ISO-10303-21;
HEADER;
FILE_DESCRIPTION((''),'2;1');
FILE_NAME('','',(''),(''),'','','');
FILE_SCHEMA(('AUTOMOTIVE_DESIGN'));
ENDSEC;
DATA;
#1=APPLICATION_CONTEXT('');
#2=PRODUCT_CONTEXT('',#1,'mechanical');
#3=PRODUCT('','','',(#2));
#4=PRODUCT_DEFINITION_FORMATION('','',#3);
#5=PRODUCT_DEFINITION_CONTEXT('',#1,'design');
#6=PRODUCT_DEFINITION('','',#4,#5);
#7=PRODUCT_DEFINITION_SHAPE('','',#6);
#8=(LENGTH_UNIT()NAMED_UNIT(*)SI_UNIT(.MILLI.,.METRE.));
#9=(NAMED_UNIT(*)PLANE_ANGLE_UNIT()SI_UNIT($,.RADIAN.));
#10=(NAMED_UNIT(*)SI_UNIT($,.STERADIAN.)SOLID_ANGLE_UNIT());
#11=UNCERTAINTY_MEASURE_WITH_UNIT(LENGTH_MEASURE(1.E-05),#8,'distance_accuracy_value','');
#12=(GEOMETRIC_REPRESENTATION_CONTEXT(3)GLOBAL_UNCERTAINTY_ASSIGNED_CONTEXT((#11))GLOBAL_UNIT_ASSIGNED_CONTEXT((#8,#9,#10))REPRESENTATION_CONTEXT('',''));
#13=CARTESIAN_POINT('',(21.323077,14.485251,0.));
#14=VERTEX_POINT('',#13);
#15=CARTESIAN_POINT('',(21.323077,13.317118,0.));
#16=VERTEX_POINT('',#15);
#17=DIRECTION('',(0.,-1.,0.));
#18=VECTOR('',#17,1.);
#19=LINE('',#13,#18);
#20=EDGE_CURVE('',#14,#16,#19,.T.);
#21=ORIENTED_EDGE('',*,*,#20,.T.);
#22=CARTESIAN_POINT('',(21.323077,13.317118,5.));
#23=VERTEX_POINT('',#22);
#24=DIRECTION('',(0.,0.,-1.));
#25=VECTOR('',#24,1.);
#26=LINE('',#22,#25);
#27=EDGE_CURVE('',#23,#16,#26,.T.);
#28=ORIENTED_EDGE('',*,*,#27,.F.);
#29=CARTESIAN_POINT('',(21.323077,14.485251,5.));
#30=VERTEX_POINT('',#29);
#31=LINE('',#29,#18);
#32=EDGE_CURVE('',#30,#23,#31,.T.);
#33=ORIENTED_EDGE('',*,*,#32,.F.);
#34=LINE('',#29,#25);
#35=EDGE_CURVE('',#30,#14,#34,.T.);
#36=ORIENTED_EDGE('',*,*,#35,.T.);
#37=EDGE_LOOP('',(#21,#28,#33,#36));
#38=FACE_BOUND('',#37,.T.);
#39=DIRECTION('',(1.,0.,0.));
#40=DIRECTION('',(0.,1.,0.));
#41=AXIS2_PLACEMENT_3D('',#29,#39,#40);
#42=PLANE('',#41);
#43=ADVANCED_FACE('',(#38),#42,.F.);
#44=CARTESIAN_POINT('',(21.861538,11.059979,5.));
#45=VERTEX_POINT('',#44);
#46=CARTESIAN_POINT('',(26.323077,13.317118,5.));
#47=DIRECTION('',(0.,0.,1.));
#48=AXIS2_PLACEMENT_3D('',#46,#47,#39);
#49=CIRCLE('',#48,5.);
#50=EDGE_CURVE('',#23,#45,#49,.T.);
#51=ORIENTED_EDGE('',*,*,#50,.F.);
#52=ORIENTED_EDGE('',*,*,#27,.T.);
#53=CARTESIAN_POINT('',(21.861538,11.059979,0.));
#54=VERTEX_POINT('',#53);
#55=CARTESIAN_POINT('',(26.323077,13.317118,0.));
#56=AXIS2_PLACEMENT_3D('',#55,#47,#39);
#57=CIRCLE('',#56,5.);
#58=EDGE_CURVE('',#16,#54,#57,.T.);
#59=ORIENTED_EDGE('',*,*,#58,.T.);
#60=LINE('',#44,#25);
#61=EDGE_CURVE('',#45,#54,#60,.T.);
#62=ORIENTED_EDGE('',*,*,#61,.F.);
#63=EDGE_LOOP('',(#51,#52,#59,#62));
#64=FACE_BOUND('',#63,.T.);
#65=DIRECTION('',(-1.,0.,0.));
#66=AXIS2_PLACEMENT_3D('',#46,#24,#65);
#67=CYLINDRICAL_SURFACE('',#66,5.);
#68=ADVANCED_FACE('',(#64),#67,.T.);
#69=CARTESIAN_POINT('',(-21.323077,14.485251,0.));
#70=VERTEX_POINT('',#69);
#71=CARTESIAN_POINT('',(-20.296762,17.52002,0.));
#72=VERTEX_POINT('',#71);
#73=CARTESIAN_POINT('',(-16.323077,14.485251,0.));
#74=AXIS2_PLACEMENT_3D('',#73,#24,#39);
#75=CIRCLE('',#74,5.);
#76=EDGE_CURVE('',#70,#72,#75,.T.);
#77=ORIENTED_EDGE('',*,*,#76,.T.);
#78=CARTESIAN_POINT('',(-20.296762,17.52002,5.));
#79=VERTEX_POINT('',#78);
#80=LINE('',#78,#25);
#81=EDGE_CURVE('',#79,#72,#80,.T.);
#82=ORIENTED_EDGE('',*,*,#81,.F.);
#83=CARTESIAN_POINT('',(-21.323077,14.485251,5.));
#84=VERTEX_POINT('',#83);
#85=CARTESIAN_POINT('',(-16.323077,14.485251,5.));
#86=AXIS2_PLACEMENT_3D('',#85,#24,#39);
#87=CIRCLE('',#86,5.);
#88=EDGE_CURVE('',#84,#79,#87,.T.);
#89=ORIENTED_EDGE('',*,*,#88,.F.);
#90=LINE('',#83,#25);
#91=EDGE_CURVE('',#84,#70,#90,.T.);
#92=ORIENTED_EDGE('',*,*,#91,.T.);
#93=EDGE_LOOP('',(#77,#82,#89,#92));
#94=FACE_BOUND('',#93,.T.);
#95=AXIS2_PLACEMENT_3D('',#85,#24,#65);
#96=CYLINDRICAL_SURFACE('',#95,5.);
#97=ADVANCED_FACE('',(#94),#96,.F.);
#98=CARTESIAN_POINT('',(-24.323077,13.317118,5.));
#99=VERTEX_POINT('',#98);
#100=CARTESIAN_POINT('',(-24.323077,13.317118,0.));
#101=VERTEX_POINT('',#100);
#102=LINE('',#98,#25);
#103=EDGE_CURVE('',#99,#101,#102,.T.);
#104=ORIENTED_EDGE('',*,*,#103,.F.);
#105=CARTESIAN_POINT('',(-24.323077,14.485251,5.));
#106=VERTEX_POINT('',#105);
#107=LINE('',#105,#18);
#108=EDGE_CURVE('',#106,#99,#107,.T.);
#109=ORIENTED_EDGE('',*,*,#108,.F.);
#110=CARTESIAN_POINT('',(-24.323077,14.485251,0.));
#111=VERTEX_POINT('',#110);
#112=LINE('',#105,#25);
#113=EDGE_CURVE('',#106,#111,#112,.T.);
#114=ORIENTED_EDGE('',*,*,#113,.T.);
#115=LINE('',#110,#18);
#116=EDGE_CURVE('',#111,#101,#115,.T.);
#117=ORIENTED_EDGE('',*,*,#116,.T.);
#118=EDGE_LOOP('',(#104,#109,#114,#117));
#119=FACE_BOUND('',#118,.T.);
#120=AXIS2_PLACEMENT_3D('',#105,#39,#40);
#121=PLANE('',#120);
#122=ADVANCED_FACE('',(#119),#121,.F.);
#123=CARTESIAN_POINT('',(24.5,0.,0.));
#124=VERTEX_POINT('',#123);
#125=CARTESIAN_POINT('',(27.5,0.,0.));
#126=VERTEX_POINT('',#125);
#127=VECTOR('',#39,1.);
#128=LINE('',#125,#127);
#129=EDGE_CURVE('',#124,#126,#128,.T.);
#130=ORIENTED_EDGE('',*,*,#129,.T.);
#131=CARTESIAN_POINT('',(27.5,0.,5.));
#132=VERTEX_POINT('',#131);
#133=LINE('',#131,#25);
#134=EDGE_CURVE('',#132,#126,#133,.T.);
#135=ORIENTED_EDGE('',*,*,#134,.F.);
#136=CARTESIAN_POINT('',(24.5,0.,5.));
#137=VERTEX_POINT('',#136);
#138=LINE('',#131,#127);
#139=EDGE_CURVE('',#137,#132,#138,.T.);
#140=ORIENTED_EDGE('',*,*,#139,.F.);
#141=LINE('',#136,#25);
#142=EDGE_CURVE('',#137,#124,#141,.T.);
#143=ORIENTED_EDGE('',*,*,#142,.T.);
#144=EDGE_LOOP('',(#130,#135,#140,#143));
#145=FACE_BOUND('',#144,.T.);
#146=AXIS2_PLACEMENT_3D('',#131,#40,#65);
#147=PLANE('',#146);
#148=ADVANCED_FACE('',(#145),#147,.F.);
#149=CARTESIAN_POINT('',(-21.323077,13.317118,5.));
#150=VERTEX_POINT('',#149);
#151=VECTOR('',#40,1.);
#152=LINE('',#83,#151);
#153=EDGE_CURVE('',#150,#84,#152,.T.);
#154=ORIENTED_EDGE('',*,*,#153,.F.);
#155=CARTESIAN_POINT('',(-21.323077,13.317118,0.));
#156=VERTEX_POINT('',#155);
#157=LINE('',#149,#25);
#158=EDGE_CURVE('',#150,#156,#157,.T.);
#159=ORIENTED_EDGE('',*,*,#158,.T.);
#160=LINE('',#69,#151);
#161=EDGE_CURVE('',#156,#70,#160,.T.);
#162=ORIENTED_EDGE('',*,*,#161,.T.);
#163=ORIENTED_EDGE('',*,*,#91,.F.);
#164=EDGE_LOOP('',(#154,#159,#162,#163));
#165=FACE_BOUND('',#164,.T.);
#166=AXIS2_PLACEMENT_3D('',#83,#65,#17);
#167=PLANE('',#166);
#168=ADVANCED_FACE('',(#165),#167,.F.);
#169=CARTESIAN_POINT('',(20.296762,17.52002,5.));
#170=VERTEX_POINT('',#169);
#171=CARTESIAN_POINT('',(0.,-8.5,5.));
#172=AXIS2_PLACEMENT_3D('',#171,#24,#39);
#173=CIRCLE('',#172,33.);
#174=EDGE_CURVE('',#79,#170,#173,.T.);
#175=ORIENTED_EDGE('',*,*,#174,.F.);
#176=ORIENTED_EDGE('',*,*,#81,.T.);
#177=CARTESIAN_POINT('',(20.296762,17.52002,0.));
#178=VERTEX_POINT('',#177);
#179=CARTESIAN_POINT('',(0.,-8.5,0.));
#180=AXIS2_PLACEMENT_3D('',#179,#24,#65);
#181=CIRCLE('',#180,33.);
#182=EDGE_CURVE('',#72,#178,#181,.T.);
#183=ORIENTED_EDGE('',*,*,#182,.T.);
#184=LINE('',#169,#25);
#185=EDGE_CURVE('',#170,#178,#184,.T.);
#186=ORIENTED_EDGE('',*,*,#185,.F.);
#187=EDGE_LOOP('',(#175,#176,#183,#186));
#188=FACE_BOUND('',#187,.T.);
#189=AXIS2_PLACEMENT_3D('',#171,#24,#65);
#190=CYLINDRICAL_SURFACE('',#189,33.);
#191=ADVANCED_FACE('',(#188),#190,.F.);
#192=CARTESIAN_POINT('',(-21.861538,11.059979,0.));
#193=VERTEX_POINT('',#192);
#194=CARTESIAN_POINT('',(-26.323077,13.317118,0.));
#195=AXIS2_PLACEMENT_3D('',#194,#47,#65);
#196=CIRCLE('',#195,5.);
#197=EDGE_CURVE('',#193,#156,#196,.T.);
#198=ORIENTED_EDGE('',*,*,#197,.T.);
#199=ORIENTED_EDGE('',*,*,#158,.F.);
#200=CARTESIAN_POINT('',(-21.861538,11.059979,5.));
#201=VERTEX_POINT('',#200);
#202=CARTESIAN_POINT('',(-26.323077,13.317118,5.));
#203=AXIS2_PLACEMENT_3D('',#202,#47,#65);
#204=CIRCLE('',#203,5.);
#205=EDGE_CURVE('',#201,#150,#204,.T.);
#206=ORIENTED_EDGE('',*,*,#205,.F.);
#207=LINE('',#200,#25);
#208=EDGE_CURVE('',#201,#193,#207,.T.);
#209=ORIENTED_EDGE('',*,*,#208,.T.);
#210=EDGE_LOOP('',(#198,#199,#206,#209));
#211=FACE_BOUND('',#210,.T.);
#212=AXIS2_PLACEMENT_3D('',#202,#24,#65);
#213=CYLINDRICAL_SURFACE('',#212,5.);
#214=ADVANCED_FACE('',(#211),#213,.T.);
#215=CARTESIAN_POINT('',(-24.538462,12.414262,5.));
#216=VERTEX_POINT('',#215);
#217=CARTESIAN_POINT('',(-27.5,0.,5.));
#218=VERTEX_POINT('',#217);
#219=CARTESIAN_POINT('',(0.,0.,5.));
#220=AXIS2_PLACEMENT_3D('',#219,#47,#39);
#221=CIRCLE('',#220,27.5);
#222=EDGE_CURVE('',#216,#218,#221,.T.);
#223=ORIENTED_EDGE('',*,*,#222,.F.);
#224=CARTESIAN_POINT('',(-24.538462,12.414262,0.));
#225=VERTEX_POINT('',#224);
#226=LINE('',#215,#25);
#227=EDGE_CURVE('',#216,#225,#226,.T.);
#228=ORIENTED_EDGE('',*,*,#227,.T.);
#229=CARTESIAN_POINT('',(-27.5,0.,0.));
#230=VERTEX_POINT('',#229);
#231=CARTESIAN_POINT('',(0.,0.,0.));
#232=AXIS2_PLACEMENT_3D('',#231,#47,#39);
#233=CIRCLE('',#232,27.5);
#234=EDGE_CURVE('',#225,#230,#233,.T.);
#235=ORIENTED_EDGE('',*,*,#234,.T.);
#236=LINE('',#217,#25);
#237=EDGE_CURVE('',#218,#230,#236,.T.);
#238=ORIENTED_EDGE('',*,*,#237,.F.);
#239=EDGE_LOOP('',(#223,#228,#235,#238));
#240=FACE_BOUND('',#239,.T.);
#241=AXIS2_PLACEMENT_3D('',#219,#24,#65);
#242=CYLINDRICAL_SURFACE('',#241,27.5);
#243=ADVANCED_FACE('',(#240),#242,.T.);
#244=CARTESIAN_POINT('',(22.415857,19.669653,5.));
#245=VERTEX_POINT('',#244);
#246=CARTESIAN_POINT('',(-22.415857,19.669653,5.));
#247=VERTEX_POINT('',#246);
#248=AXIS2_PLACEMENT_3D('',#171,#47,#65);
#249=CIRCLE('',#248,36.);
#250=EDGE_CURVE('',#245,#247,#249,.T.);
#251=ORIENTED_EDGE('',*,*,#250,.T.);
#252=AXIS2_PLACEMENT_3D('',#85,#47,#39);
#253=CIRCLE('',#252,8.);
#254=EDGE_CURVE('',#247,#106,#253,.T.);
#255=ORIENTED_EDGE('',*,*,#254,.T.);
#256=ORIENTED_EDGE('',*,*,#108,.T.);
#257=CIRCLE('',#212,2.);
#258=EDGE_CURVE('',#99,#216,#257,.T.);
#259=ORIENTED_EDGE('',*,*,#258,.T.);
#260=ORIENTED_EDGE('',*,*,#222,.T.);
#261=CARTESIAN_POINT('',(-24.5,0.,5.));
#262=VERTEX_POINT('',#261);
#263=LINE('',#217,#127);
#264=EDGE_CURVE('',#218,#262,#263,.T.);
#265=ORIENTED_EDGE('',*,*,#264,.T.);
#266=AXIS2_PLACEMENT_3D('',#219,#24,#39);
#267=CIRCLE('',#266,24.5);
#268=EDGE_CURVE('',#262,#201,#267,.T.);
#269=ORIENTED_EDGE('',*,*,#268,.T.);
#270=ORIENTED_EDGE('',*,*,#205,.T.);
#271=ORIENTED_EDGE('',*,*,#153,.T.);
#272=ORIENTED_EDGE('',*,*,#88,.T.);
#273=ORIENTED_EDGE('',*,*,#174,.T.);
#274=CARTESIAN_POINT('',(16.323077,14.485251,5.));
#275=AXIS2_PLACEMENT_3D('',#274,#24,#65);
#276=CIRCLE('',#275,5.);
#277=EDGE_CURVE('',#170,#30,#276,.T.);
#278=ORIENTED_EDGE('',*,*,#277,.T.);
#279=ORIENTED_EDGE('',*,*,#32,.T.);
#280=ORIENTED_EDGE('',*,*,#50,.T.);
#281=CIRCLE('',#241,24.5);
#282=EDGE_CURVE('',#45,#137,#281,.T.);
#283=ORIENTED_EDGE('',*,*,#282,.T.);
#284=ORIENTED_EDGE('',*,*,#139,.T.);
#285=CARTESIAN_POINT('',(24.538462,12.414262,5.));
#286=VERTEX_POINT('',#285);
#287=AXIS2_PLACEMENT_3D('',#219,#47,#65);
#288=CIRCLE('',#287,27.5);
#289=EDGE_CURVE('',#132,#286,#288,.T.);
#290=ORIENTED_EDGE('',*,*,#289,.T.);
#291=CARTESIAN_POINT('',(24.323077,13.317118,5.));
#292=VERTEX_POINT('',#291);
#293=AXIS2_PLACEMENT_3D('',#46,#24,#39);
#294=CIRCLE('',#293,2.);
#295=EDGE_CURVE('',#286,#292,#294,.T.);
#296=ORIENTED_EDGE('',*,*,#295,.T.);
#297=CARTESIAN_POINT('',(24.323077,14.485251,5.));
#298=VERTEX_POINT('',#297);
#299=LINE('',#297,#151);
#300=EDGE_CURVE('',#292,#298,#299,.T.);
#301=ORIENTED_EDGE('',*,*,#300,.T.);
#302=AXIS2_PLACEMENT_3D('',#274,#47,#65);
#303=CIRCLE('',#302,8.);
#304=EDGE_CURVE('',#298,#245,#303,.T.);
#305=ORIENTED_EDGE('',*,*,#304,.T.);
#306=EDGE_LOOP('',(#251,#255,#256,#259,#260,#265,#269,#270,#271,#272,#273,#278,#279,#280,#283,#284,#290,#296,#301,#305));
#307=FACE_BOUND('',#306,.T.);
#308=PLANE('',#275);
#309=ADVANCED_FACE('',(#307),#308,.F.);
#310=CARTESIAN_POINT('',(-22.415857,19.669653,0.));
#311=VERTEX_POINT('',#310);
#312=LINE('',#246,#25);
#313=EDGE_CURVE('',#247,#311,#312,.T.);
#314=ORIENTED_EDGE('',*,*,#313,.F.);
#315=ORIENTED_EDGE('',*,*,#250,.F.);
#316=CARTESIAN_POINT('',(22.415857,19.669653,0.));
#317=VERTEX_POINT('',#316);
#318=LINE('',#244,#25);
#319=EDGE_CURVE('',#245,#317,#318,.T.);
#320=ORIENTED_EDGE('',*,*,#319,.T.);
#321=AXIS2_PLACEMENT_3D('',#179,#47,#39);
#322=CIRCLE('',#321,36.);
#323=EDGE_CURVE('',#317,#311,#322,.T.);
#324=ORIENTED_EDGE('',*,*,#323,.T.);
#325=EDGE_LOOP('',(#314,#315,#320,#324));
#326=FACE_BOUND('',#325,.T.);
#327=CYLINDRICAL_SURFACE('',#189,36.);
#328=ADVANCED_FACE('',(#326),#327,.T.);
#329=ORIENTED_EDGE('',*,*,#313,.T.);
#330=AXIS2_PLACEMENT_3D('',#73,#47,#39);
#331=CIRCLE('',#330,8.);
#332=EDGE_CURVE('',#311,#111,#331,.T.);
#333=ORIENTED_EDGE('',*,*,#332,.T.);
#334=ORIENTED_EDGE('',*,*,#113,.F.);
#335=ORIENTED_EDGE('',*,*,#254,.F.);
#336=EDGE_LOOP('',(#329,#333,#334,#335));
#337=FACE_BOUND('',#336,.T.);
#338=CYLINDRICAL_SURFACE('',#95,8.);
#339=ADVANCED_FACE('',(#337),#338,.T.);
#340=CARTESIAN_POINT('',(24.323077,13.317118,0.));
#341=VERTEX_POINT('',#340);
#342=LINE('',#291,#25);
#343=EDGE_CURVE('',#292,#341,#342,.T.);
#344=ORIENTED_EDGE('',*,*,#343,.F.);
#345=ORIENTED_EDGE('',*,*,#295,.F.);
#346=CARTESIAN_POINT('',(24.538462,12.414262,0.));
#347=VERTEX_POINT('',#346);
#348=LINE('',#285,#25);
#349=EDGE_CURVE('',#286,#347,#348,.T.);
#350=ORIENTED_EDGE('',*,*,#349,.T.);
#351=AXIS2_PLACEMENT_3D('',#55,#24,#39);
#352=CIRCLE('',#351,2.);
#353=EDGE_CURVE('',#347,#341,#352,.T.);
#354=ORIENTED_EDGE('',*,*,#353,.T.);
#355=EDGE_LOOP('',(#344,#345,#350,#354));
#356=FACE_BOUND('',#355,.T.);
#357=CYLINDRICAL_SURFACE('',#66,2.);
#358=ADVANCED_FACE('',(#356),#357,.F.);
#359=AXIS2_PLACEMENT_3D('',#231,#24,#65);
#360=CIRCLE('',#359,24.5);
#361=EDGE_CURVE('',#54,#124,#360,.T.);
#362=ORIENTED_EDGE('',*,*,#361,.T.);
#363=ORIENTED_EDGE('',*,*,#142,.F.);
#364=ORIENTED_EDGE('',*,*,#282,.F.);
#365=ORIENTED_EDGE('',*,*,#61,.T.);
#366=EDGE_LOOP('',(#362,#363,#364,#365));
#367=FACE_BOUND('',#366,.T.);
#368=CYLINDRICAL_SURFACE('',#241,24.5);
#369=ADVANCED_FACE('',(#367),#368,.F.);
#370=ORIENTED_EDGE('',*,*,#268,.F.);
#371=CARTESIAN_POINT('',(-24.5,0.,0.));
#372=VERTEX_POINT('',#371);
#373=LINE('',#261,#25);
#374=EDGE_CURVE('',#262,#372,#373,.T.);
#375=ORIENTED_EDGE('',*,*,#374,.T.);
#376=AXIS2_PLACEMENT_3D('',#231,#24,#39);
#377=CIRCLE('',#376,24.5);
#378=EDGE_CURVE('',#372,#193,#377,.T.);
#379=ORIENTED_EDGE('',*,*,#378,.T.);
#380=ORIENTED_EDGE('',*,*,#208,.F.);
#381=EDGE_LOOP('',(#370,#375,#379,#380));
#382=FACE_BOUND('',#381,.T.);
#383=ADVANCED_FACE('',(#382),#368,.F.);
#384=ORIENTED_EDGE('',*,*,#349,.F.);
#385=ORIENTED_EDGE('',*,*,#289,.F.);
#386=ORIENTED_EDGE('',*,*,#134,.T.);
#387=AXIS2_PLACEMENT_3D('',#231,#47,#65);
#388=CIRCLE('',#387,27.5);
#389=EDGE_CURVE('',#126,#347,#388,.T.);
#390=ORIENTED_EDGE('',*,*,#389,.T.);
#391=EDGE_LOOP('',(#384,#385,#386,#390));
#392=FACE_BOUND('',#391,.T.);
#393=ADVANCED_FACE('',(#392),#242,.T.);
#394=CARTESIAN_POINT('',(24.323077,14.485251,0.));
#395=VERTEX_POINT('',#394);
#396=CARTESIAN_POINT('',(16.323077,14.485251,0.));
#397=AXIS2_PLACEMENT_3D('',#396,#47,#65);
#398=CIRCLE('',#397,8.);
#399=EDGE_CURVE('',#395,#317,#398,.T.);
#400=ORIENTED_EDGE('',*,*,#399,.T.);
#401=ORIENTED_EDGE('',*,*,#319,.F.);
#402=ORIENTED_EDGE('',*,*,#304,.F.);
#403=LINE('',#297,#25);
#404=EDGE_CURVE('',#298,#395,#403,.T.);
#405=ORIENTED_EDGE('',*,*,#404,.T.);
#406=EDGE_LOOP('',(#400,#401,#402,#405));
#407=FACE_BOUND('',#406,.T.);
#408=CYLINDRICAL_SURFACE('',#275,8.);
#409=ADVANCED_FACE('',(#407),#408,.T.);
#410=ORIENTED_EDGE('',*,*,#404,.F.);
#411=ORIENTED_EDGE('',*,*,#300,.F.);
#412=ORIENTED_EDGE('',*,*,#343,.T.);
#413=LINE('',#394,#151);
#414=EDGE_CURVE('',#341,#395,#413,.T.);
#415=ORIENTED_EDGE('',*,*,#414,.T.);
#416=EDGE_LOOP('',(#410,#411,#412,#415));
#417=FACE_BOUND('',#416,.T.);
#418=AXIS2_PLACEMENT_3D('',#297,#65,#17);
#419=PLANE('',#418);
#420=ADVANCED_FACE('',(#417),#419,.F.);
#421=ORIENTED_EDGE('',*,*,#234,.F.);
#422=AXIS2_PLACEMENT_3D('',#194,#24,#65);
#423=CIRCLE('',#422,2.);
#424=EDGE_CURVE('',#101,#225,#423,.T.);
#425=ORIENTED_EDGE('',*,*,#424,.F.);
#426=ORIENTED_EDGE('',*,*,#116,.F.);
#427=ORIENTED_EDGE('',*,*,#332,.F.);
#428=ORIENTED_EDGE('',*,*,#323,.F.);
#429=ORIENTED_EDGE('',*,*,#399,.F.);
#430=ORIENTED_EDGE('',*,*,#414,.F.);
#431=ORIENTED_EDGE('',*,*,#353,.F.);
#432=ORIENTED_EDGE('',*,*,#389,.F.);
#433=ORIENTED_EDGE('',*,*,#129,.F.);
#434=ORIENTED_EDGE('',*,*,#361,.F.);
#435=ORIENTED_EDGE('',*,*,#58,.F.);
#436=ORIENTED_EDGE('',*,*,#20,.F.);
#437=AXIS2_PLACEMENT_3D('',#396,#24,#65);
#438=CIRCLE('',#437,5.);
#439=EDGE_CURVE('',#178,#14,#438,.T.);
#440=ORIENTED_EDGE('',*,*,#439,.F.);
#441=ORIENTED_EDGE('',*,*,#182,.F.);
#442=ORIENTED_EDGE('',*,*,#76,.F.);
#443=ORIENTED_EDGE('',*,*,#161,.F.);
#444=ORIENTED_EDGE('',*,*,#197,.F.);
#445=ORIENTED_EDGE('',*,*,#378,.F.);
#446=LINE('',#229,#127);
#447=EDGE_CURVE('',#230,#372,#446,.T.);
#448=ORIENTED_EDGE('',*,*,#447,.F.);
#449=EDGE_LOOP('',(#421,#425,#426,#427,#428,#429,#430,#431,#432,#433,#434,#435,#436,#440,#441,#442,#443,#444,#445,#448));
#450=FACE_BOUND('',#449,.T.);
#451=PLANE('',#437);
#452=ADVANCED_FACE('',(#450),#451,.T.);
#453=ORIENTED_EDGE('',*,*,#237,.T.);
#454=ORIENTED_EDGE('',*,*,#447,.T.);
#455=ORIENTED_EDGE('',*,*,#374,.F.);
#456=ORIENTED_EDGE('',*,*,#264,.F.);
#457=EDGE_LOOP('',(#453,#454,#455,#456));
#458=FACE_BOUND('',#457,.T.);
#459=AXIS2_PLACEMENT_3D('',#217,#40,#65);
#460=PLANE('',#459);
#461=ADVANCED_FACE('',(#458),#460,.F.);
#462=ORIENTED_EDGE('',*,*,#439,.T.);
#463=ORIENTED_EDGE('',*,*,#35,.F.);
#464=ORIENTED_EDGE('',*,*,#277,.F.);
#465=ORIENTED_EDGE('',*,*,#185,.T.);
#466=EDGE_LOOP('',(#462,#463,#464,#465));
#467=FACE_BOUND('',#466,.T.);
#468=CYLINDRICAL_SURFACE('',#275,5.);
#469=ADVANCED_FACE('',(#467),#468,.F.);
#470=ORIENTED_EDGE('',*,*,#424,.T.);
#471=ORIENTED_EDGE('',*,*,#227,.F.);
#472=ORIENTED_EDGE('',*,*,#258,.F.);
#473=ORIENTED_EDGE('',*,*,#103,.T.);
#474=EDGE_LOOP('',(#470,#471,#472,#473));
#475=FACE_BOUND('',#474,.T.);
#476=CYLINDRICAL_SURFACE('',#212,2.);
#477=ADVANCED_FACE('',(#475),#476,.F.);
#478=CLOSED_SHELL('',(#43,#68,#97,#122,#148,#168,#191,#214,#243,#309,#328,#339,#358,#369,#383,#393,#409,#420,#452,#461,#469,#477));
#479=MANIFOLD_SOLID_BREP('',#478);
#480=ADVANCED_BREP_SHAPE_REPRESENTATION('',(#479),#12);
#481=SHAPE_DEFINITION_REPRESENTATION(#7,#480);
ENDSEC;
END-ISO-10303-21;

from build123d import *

# Parameters (mm, degrees)
BOSS_EXTRUDE1_DEPTH = 5


with BuildPart() as part:
    # Sketch1 → Boss-Extrude1 (new body)
    with BuildSketch(Plane.XY):
        with BuildLine():
            Line((-24.323076923, 14.485250559), (-24.323076923, 13.317117605))
            ThreePointArc((-24.323076923, 13.317117605), (-24.377668127, 12.853022124), (-24.538461538, 12.414262174))
            ThreePointArc((-24.538461538, 12.414262174), (-26.749370949, 6.381312862), (-27.5, 0))
            Line((-27.5, 0), (-24.5, 0))
            ThreePointArc((-24.5, 0), (-23.831257754, 5.685169641), (-21.861538462, 11.059979028))
            ThreePointArc((-21.861538462, 11.059979028), (-21.459554932, 12.156878903), (-21.323076923, 13.317117605))
            Line((-21.323076923, 13.317117605), (-21.323076923, 14.485250559))
            ThreePointArc((-21.323076923, 14.485250559), (-21.059553746, 16.08705807), (-20.296762002, 17.52002022))
            ThreePointArc((-20.296762002, 17.52002022), (-10.731713115, 22.70625472), (0, 24.5))
            ThreePointArc((0, 24.5), (10.731713115, 22.70625472), (20.296762002, 17.52002022))
            ThreePointArc((20.296762002, 17.52002022), (21.059553746, 16.08705807), (21.323076923, 14.485250559))
            Line((21.323076923, 14.485250559), (21.323076923, 13.317117605))
            ThreePointArc((21.323076923, 13.317117605), (21.459554932, 12.156878903), (21.861538462, 11.059979028))
            ThreePointArc((21.861538462, 11.059979028), (23.831257754, 5.685169641), (24.5, 0))
            Line((24.5, 0), (27.5, 0))
            ThreePointArc((27.5, 0), (26.749370949, 6.381312862), (24.538461538, 12.414262174))
            ThreePointArc((24.538461538, 12.414262174), (24.377668127, 12.853022124), (24.323076923, 13.317117605))
            Line((24.323076923, 13.317117605), (24.323076923, 14.485250559))
            ThreePointArc((24.323076923, 14.485250559), (23.831147361, 17.247292972), (22.41585735, 19.669652807))
            ThreePointArc((22.41585735, 19.669652807), (11.872078566, 25.486081718), (0, 27.5))
            ThreePointArc((0, 27.5), (-11.872078566, 25.486081718), (-22.41585735, 19.669652807))
            ThreePointArc((-22.41585735, 19.669652807), (-23.831147361, 17.247292972), (-24.323076923, 14.485250559))
        make_face()
    extrude(amount=BOSS_EXTRUDE1_DEPTH)


solid = part.part
